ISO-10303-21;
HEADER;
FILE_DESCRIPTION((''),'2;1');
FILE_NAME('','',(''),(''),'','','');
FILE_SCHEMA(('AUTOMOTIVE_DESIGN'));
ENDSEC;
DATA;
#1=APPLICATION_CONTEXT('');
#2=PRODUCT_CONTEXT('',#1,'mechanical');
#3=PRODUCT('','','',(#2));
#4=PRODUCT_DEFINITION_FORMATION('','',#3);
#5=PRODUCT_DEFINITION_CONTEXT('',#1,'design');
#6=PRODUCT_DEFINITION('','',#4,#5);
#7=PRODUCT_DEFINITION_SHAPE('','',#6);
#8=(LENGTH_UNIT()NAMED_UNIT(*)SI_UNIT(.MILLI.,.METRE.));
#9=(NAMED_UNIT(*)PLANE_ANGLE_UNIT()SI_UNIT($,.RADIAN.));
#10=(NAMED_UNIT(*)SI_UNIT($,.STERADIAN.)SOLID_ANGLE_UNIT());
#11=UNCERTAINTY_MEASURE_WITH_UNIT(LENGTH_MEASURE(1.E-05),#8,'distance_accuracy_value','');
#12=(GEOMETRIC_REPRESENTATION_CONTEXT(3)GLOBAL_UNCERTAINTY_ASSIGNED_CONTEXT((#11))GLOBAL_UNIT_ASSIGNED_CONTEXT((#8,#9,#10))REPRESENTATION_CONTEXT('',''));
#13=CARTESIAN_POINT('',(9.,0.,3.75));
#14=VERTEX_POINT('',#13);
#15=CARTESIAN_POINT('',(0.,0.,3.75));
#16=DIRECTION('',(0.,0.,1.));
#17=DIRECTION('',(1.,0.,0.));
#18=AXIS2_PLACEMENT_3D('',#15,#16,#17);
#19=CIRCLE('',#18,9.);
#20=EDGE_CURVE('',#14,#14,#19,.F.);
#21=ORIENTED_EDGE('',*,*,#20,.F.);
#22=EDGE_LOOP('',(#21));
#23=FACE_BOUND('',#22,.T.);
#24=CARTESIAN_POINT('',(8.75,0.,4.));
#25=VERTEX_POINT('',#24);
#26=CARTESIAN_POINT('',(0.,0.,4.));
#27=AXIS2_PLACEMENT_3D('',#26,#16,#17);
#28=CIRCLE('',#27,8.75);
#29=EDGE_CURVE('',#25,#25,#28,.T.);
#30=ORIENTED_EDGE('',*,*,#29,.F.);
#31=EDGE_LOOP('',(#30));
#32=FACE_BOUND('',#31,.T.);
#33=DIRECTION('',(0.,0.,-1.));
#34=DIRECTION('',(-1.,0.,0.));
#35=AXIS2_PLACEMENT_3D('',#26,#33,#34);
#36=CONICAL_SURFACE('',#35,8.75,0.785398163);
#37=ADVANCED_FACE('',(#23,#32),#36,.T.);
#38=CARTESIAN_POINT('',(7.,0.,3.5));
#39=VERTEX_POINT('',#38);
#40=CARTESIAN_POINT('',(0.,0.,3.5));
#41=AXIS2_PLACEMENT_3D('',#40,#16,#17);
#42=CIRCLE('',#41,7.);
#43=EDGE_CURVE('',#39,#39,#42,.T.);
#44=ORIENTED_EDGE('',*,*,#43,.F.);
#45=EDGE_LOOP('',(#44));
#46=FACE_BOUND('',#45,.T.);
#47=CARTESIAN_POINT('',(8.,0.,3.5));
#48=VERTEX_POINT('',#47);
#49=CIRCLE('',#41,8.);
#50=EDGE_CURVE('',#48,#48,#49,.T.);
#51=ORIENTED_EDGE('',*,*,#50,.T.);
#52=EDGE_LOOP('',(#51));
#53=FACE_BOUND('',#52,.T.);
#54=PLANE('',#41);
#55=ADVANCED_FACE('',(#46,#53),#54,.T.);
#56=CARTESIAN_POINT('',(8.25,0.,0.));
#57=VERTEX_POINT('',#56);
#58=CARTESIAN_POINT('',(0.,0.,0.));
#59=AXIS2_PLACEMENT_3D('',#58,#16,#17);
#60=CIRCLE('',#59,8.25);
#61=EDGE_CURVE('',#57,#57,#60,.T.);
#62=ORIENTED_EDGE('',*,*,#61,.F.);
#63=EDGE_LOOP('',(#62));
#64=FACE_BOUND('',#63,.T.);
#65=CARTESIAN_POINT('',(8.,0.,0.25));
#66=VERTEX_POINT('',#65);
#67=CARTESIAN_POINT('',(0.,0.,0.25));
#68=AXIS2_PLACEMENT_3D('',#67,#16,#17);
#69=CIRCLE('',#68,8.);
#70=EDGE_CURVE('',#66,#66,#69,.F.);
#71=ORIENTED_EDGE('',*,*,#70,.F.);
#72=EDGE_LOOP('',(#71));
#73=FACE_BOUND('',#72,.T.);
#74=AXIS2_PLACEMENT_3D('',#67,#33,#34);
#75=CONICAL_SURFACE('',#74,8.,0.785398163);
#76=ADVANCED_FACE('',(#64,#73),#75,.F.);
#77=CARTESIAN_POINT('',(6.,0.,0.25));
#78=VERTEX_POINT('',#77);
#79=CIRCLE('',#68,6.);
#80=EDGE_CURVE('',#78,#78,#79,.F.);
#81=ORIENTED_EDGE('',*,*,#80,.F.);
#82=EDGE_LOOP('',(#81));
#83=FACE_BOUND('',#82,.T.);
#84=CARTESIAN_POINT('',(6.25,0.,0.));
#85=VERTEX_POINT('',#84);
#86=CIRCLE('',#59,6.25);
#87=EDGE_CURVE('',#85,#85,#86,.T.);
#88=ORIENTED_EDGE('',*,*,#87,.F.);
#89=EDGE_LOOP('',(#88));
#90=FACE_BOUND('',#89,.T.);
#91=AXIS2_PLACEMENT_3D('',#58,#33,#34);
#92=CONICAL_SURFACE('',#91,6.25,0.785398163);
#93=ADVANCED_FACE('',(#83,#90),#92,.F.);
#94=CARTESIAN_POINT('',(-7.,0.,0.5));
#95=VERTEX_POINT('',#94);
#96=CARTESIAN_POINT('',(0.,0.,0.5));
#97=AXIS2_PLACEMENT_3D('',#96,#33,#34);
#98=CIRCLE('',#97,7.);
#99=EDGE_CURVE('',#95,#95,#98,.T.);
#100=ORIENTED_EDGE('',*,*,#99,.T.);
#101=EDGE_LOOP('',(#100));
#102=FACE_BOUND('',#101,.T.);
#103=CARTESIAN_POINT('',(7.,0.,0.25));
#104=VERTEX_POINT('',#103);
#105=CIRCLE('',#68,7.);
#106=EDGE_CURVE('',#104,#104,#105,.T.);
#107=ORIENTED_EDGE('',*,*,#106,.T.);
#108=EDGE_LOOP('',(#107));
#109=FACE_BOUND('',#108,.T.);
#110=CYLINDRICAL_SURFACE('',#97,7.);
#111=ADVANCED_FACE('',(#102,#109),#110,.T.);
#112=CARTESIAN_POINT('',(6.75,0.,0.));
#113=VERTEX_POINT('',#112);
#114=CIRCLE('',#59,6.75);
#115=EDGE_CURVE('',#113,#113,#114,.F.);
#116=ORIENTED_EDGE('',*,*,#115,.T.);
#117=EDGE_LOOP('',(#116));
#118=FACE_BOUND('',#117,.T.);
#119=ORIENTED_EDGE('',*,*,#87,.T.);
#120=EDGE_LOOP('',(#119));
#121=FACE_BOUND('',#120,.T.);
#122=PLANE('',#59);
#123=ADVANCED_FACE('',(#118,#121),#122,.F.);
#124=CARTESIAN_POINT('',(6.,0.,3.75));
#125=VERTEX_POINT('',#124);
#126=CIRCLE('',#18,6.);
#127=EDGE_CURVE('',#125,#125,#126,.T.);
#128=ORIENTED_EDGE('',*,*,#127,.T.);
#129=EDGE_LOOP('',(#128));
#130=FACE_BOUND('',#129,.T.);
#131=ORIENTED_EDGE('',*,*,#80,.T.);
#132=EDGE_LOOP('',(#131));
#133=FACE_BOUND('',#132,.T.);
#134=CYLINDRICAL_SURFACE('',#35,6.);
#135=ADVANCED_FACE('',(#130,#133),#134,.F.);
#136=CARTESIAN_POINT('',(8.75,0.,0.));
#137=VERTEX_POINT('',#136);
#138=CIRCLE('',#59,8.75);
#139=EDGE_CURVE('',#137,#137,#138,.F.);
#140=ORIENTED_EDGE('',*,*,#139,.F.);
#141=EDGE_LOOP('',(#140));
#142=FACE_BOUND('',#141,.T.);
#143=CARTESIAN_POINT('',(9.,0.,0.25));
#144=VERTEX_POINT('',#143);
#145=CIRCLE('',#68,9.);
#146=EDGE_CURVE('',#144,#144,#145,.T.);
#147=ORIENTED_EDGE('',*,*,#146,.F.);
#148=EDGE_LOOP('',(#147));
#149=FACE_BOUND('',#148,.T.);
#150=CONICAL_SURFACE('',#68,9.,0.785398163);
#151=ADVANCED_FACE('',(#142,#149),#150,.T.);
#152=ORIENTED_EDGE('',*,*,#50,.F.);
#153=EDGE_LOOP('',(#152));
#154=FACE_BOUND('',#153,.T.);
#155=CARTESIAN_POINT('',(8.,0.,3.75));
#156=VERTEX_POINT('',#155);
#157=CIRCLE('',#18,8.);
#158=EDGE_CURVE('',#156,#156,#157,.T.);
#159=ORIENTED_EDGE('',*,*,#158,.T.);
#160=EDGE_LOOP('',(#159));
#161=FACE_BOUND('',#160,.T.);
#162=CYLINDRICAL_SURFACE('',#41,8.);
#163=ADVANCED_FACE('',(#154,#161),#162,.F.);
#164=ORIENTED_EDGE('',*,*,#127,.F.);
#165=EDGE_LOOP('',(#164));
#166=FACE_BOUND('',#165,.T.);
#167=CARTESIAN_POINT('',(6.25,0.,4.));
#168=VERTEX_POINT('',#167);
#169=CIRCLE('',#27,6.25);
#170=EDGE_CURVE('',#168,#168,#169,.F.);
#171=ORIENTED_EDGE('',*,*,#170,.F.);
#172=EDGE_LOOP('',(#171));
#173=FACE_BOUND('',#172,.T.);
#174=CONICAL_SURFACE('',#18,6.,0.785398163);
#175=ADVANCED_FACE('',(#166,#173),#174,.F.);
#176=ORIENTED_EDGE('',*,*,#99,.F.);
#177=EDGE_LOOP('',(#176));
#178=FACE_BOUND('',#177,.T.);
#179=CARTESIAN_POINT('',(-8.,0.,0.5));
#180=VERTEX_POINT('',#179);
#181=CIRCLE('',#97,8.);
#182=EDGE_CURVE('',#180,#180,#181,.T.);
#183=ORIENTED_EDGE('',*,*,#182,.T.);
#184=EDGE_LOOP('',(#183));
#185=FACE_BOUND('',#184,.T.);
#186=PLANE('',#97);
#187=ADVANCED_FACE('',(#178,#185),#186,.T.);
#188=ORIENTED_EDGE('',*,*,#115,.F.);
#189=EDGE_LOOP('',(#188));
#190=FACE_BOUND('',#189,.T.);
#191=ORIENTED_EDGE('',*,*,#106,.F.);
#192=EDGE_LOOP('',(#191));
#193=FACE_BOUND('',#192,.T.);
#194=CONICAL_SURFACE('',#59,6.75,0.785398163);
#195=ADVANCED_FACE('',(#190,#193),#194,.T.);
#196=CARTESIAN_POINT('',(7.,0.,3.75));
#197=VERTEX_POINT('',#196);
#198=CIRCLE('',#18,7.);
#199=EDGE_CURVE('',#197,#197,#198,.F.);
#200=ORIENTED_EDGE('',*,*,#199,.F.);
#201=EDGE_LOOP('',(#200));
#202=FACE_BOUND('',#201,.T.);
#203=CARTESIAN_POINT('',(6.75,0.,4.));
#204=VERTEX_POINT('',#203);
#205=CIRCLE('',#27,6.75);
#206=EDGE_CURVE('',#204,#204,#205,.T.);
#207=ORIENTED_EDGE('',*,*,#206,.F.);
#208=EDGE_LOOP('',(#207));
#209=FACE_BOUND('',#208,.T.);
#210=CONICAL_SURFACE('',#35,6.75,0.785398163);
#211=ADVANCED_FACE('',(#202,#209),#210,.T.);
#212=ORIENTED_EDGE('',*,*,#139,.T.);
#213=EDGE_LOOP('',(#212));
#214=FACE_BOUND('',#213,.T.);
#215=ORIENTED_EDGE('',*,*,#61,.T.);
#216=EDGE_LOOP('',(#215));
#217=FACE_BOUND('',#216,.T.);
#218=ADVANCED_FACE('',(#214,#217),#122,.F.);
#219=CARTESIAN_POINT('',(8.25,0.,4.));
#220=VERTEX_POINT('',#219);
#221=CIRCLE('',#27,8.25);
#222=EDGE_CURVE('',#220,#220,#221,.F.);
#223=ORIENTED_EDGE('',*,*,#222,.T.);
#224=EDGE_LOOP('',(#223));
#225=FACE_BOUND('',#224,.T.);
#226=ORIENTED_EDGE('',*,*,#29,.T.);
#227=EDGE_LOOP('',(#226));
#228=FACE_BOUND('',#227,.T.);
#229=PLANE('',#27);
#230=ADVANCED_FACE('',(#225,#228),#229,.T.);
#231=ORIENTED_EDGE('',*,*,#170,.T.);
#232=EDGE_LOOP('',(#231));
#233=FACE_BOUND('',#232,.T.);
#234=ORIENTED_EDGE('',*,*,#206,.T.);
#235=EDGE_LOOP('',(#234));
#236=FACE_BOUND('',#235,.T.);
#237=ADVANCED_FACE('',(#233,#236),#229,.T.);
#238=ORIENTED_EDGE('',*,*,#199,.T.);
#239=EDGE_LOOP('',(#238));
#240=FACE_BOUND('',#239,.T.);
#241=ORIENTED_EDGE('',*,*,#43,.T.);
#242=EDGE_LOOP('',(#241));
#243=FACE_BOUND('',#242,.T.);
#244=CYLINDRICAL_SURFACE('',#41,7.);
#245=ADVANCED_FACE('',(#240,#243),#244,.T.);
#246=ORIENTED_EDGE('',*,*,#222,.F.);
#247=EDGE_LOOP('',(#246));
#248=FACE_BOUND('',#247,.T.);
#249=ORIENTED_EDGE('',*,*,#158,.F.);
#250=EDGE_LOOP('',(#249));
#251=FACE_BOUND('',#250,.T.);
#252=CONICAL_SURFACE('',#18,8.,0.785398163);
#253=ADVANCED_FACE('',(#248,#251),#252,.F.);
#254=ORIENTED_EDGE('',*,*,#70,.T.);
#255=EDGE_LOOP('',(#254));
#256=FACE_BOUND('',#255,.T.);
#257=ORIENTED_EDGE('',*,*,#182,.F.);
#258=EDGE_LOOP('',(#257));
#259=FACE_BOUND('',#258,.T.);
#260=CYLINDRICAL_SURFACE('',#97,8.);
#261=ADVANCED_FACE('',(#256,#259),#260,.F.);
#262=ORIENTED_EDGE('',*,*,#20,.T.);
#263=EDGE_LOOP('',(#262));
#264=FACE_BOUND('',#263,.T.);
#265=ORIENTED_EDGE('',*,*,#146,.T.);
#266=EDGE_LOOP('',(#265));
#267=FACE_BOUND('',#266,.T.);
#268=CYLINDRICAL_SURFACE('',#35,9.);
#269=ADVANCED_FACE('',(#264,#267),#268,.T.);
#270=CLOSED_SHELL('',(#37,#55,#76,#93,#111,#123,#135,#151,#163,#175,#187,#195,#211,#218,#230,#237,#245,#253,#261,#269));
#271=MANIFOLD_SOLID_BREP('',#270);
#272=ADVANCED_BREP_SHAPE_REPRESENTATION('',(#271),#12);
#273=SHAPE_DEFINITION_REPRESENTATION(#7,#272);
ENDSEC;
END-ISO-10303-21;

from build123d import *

# Parameters (mm, degrees)
SKETCH2_R           = 9
SKETCH2_R_2         = 6
BOSS_EXTRUDE1_DEPTH = 4
CHAMFER2_SIZE       = 0.25
SKETCH3_R           = 8
SKETCH3_R_2         = 7
CUT_EXTRUDE2_DEPTH  = 0.5
SKETCH4_R           = 8
SKETCH4_R_2         = 7
CUT_EXTRUDE3_DEPTH  = 0.5
CHAMFER3_SIZE       = 0.25


with BuildPart() as part:
    # Sketch2 → Boss-Extrude1 (new body)
    with BuildSketch(Plane.XY):
        Circle(SKETCH2_R)
        Circle(SKETCH2_R_2, mode=Mode.SUBTRACT)
    extrude(amount=BOSS_EXTRUDE1_DEPTH)

    # Chamfer2
    chamfer2_edges = [part.edges().sort_by_distance(p)[0] for p in [
        (-9, 0, 0),
        (-9, 0, 4),
        (-6, 0, 0),
        (-6, 0, 4),
    ]]
    chamfer(chamfer2_edges, length=CHAMFER2_SIZE)

    # Sketch3 → Cut-Extrude2 (cut)
    with BuildSketch(Plane(origin=(0, 0, 0), x_dir=(-1, 0, 0), z_dir=(0, 0, -1))):
        Circle(SKETCH3_R)
        Circle(SKETCH3_R_2, mode=Mode.SUBTRACT)
    extrude(amount=-CUT_EXTRUDE2_DEPTH, mode=Mode.SUBTRACT)

    # Sketch4 → Cut-Extrude3 (cut)
    with BuildSketch(Plane.XY.offset(4)):
        Circle(SKETCH4_R)
        Circle(SKETCH4_R_2, mode=Mode.SUBTRACT)
    extrude(amount=-CUT_EXTRUDE3_DEPTH, mode=Mode.SUBTRACT)

    # Chamfer3
    chamfer3_edges = [part.edges().sort_by_distance(p)[0] for p in [
        (8, 0, 0),
        (7, 0, 0),
        (-8, 0, 4),
        (-7, 0, 4),
    ]]
    chamfer(chamfer3_edges, length=CHAMFER3_SIZE)


solid = part.part
